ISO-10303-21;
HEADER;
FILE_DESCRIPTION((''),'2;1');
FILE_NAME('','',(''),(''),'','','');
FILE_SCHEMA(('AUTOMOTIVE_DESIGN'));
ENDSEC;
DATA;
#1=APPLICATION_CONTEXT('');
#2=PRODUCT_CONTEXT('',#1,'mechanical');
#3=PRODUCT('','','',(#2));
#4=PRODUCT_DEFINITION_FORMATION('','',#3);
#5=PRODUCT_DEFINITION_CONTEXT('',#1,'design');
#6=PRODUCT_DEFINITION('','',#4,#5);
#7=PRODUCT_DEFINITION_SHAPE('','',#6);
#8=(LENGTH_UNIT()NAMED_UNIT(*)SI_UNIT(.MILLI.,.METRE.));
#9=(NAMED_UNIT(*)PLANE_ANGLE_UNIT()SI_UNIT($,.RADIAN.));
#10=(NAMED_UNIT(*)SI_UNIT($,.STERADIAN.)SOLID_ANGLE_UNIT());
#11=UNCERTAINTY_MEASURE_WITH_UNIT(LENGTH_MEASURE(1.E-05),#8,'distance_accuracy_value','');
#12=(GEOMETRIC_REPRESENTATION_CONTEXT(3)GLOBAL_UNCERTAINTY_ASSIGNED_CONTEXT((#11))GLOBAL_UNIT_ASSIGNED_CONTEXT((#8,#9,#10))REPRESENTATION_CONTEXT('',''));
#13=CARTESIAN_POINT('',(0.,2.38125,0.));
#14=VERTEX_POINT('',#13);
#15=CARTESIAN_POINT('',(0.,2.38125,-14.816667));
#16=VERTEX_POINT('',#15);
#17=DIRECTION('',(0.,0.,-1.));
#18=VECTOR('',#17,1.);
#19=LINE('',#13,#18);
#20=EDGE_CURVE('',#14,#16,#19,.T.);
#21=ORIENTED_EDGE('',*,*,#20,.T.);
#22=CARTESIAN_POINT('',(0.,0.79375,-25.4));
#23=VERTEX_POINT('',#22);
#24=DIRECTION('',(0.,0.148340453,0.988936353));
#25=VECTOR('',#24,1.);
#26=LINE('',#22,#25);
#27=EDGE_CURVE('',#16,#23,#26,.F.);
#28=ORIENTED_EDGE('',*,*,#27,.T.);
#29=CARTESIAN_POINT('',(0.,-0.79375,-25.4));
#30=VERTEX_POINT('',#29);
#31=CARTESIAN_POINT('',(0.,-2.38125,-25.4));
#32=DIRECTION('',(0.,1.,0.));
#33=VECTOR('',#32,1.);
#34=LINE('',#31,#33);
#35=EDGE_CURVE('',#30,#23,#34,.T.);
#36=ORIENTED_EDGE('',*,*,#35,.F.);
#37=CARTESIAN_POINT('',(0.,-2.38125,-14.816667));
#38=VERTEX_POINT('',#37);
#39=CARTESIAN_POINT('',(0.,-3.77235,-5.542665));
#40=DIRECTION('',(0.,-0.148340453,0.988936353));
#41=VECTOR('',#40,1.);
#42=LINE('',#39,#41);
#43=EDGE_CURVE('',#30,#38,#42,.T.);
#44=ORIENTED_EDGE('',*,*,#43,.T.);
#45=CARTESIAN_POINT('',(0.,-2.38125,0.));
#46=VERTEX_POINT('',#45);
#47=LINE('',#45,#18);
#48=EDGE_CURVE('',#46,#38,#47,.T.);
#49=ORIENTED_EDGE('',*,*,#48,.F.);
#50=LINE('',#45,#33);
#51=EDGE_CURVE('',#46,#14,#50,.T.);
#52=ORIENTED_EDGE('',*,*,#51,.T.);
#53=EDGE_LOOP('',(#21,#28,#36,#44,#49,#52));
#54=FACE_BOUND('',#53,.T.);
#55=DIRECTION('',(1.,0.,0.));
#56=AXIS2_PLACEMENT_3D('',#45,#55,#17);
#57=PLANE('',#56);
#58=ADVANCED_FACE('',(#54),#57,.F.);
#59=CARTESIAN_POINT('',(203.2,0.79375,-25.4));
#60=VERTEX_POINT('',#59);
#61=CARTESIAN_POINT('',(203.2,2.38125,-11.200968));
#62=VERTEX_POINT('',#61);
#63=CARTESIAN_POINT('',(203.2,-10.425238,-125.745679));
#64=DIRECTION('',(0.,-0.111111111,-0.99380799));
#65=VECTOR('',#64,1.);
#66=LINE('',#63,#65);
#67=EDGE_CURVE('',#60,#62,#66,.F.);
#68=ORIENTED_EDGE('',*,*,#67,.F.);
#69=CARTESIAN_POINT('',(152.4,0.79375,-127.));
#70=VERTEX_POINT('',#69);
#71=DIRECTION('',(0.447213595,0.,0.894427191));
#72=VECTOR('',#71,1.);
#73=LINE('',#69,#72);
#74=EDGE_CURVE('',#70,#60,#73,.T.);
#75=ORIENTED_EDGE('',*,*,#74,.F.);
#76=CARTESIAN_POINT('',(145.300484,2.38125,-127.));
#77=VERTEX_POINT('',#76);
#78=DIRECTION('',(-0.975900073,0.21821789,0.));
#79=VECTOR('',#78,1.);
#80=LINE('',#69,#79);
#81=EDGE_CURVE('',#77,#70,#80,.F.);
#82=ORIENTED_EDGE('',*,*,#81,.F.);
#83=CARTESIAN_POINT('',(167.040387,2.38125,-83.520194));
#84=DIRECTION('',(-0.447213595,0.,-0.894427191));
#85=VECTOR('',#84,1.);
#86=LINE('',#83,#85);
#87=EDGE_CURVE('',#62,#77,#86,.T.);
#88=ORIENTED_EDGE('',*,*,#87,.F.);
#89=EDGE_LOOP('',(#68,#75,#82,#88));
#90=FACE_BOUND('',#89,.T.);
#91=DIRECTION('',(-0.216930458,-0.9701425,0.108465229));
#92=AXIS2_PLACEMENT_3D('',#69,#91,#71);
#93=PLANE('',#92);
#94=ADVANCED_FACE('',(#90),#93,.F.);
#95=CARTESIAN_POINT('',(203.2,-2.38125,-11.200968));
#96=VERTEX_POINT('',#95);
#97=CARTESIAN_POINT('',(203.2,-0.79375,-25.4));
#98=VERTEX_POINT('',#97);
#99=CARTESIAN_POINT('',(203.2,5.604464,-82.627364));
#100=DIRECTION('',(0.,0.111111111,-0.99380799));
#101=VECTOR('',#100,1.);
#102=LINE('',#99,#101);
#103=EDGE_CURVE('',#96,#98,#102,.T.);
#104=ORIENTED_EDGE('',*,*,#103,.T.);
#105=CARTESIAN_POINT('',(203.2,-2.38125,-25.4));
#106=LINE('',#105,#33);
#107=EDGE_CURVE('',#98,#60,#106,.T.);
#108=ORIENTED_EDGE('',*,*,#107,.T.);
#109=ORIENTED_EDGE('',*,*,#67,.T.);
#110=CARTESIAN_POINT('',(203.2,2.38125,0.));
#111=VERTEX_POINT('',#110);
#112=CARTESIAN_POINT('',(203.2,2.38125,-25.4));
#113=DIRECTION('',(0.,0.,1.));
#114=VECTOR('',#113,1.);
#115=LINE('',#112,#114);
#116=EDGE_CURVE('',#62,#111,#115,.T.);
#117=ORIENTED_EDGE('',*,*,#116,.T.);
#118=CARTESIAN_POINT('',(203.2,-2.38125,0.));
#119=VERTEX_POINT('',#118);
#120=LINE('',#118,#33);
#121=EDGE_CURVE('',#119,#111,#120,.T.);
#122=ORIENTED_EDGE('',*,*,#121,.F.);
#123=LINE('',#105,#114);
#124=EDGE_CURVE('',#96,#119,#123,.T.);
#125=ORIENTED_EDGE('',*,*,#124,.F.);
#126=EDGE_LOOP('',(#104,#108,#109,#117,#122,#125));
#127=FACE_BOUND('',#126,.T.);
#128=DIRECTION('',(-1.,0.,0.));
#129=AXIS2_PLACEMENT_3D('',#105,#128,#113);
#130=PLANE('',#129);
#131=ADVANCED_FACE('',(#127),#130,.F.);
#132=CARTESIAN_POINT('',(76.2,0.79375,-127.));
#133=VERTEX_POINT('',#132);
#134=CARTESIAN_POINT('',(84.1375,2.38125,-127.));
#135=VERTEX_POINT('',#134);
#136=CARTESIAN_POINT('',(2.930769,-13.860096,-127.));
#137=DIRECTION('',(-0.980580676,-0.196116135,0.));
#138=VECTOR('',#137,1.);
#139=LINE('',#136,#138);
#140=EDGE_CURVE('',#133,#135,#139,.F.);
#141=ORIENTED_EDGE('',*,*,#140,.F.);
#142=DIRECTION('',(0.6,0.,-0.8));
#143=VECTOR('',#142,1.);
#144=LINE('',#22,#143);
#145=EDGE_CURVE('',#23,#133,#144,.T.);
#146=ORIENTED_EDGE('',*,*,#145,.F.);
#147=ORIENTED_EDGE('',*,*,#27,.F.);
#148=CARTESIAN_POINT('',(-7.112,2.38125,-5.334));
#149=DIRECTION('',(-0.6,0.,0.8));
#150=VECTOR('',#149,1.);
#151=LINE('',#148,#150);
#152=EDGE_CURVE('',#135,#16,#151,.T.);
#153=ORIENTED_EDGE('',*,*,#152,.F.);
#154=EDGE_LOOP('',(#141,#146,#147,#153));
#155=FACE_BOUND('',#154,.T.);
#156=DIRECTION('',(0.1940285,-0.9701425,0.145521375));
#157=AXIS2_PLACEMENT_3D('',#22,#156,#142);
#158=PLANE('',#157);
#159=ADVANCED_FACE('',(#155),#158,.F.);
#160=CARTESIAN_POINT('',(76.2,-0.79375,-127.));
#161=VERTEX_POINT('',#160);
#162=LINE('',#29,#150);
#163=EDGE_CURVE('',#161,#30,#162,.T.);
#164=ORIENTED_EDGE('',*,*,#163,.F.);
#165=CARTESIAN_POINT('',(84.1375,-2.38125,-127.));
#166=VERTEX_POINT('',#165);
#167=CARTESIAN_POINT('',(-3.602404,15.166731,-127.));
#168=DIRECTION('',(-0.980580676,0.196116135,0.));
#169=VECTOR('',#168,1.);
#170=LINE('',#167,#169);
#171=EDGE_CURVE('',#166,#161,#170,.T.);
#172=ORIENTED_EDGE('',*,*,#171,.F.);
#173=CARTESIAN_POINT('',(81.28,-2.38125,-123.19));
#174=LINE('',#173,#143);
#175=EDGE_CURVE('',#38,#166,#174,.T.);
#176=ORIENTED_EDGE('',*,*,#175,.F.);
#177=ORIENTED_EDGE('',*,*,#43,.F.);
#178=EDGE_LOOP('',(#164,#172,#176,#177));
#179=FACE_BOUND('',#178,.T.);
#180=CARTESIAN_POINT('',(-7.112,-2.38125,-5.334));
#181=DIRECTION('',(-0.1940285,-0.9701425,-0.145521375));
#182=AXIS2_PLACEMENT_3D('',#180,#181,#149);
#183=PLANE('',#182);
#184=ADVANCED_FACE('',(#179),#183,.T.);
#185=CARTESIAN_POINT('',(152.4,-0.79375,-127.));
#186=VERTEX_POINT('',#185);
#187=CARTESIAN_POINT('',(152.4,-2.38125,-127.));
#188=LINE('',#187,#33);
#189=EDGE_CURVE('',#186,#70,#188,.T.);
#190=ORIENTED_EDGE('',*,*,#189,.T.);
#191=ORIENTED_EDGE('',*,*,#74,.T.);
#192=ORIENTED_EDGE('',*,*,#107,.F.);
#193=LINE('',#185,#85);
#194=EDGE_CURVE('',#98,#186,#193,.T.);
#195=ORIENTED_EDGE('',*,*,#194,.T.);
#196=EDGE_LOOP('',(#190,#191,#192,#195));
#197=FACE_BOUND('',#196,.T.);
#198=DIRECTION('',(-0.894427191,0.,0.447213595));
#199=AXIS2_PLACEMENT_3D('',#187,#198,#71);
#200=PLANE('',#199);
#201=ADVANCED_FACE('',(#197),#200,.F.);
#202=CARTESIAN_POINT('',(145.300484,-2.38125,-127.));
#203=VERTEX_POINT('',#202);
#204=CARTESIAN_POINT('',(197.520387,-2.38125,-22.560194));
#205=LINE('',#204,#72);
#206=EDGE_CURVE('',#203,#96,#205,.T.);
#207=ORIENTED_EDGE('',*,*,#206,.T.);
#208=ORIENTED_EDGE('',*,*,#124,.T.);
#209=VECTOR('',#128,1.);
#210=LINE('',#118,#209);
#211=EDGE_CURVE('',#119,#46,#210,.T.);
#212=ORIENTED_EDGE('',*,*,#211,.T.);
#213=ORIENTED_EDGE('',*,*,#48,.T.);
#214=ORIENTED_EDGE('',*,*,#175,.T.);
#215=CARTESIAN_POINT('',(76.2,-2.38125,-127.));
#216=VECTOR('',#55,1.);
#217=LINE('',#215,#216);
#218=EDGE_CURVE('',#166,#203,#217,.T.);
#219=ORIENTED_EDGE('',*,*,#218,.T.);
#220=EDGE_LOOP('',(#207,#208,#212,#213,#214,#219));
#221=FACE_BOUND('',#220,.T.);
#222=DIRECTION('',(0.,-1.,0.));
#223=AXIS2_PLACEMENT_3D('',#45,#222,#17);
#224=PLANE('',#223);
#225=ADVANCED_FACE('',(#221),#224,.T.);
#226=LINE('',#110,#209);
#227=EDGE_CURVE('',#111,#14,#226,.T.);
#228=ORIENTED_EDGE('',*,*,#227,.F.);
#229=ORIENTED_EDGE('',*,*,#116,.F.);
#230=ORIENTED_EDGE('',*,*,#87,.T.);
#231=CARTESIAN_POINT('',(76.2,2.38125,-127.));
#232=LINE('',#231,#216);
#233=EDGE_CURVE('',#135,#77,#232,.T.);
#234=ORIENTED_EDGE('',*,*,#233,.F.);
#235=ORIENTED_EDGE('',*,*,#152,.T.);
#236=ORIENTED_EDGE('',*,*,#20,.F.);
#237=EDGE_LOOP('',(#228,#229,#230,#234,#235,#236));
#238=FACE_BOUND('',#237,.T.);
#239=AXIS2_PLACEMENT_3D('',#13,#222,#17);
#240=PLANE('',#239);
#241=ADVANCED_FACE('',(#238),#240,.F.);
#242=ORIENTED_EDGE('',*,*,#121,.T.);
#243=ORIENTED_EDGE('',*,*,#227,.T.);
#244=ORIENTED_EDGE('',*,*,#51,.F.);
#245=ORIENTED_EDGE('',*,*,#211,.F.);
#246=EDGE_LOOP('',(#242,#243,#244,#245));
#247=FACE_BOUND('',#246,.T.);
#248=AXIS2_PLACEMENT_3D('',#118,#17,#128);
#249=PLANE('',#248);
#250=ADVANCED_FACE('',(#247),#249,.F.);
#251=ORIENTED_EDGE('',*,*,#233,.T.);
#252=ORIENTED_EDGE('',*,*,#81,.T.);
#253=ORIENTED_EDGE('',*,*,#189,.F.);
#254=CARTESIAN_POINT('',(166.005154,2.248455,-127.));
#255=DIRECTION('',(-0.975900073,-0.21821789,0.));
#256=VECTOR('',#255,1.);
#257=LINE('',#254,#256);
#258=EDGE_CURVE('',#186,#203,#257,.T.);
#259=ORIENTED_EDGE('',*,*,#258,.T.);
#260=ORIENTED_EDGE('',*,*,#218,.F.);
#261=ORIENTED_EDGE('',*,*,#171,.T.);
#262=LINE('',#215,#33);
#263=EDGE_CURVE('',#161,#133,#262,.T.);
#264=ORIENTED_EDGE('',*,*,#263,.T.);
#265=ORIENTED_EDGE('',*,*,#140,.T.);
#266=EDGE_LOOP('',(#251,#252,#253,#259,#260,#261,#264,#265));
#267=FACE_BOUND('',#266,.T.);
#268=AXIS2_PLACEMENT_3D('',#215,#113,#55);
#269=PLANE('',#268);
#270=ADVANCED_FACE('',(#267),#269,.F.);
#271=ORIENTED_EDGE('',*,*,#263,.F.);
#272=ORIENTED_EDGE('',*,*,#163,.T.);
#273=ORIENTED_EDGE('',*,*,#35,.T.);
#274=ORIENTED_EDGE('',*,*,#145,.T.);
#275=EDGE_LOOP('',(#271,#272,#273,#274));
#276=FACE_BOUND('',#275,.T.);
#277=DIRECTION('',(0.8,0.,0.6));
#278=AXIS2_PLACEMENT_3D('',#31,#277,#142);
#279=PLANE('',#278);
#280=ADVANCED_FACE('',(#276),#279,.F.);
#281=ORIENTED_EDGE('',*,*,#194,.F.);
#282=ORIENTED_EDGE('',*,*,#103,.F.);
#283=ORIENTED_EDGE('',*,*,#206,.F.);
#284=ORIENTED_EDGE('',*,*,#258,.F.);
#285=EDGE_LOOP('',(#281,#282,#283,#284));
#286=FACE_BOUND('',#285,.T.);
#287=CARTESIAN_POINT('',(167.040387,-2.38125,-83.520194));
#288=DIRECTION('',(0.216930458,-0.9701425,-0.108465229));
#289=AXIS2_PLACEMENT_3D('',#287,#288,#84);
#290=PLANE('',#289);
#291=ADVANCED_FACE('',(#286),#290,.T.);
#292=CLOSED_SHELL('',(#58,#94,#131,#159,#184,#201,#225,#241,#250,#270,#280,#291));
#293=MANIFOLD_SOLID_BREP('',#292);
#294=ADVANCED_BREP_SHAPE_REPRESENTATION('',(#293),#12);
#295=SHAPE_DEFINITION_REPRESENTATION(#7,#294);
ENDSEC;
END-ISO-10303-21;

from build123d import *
from OCP.BRepFilletAPI import BRepFilletAPI_MakeChamfer

# Parameters (mm, degrees)
BOSS_EXTRUDE1_DEPTH      = 2.38125
BOSS_EXTRUDE1_DEPTH_BACK = 2.38125
CHAMFER1_SIZE            = 1.5875
CHAMFER1_SIZE2           = 6.35
CHAMFER3_SIZE            = 6.35
CHAMFER3_SIZE2           = 1.5875


with BuildPart() as part:
    # Sketch1 → Boss-Extrude1 (new, two sides: drawn at the far end of the back side and taken through both)
    with BuildSketch(Plane(origin=(0, 0, 0), x_dir=(1, 0, 0), z_dir=(0, 1, 0)).offset(-BOSS_EXTRUDE1_DEPTH_BACK)):
        Polygon((0, 0), (0, 25.4), (76.2, 127), (152.4, 127), (203.2, 25.4), (203.2, 0), align=None)
    extrude(amount=BOSS_EXTRUDE1_DEPTH + BOSS_EXTRUDE1_DEPTH_BACK)

    # Chamfer1: one chamfer whose edges measure the first distance from different faces: ONE call of the kernel's chamfer builder (chamfer() names one face for all edges)
    chamfer1_edges_1 = [part.edges().sort_by_distance(p)[0] for p in [
        (177.8, 2.38125, -76.2),
        (177.8, -2.38125, -76.2),
    ]]
    chamfer1_side_1 = [part.faces().sort_by_distance(p)[0] for p in [
        (177.8, 0, -76.2),
    ]]
    chamfer1_edges_2 = [part.edges().sort_by_distance(p)[0] for p in [
        (38.1, -2.38125, -76.2),
    ]]
    chamfer1_side_2 = [part.faces().sort_by_distance(p)[0] for p in [
        (38.1, 0, -76.2),
    ]]
    chamfer1 = BRepFilletAPI_MakeChamfer(part.part.solid().wrapped)
    for e in chamfer1_edges_1:
        chamfer1.Add(CHAMFER1_SIZE, CHAMFER1_SIZE2, e.wrapped, chamfer1_side_1[0].wrapped)  # the first distance lies on this face
    for e in chamfer1_edges_2:
        chamfer1.Add(CHAMFER1_SIZE, CHAMFER1_SIZE2, e.wrapped, chamfer1_side_2[0].wrapped)  # the first distance lies on this face
    add(Compound.cast(chamfer1.Shape()), mode=Mode.REPLACE)

    # Chamfer3
    chamfer3_edges = [part.edges().sort_by_distance(p)[0] for p in [
        (38.1, 2.38125, -76.2),
    ]]
    chamfer3_side = [part.faces().sort_by_distance(p)[0] for p in [
        (102.626088035, 2.38125, -52.835240535),
    ]]
    chamfer(chamfer3_edges, length=CHAMFER3_SIZE, length2=CHAMFER3_SIZE2, reference=chamfer3_side[0])


solid = part.part
